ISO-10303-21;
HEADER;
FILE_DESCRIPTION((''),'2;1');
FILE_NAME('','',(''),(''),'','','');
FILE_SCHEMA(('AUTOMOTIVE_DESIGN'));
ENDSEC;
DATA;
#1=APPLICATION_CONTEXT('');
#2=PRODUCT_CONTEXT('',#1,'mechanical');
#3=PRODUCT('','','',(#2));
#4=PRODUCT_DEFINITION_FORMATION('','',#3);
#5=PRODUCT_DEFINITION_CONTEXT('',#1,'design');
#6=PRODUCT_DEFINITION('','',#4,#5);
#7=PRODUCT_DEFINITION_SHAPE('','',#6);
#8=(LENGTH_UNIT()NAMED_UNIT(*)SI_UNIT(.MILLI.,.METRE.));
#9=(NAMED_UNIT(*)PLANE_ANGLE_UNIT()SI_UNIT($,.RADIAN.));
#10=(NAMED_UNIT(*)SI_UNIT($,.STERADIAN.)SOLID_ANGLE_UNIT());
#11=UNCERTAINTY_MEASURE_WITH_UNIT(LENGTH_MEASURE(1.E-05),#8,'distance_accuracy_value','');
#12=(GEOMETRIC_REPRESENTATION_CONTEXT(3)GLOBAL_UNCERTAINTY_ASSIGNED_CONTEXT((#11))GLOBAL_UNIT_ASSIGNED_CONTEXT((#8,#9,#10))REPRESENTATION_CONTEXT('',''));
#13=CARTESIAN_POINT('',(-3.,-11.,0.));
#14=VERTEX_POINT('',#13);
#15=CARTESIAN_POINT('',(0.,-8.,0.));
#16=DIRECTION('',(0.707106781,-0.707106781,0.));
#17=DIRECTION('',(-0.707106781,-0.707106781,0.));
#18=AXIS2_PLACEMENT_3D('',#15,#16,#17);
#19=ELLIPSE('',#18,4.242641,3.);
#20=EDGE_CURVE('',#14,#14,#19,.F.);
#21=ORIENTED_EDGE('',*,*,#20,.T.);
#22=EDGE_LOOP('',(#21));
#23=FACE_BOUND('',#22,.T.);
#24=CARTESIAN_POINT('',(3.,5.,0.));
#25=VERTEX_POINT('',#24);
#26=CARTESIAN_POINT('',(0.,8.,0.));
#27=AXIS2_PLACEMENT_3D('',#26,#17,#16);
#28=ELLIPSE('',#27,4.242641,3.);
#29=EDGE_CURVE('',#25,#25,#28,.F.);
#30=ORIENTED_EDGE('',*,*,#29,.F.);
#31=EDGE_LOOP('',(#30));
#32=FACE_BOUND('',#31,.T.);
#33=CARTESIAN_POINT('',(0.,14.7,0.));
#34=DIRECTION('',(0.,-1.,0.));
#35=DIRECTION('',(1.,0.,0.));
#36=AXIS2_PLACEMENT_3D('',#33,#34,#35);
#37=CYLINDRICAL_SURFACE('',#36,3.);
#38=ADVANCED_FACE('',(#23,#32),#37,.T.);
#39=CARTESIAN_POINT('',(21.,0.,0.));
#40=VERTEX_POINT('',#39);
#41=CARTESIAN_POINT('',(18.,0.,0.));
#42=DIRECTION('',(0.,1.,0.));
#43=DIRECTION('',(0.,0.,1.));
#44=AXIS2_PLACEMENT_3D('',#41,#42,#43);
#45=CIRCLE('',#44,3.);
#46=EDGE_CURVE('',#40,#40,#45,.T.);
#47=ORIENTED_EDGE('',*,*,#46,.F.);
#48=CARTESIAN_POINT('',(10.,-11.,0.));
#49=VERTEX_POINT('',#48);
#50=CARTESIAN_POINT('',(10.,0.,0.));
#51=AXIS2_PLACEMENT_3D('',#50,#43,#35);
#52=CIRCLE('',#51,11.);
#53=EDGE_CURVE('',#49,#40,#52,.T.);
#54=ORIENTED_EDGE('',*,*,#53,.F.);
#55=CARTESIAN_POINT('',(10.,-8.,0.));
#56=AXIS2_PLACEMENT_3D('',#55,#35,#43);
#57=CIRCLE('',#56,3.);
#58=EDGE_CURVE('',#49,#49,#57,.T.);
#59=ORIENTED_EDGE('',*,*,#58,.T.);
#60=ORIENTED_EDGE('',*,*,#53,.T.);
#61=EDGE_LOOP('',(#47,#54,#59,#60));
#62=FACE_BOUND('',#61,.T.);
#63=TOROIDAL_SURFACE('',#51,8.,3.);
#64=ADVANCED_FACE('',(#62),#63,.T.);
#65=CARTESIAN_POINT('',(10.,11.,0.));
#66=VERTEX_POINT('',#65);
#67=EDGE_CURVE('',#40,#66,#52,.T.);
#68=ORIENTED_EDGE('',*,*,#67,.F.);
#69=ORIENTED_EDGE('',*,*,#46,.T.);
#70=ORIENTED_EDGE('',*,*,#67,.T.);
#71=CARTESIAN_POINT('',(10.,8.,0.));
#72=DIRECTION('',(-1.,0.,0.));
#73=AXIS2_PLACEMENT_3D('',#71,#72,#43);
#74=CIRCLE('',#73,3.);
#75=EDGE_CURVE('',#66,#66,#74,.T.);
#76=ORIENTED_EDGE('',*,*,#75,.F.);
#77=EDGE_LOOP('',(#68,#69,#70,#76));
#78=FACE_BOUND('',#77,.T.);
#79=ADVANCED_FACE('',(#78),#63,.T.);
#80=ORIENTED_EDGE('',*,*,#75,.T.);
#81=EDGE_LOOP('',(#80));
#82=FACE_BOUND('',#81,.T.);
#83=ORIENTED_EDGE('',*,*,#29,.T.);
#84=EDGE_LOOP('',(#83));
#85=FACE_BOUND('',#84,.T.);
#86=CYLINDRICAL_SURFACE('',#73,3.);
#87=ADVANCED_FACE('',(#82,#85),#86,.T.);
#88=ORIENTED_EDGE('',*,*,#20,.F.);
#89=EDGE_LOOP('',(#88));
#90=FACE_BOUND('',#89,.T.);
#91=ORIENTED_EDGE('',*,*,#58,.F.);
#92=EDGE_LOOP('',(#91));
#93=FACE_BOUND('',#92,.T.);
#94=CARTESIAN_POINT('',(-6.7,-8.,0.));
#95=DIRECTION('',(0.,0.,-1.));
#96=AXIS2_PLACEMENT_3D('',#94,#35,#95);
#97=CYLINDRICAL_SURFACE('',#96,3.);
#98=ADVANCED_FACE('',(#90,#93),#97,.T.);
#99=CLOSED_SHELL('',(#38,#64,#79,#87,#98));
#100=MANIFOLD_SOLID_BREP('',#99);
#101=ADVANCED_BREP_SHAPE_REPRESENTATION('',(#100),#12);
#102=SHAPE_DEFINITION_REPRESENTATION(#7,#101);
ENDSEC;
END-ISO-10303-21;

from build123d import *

# Parameters (mm, degrees)
SKETCH2_R = 3


with BuildPart() as part:
    # Sweep1: sweep along a path in Sketch1
    with BuildLine(Plane.XY) as sweep1_path:
        Line((0, -8), (0, 8))
        Line((0, 8), (10, 8))
        ThreePointArc((10, 8), (18, 0), (10, -8))
        Line((10, -8), (0, -8))
    # Sketch2 → Sweep1 (sweep)
    with BuildSketch(Plane(origin=(0, 0, 0), x_dir=(1, 0, 0), z_dir=(0, 1, 0))):
        with Locations((18, 0)):
            Circle(SKETCH2_R)
    sweep(path=sweep1_path.line, transition=Transition.RIGHT)


solid = part.part
